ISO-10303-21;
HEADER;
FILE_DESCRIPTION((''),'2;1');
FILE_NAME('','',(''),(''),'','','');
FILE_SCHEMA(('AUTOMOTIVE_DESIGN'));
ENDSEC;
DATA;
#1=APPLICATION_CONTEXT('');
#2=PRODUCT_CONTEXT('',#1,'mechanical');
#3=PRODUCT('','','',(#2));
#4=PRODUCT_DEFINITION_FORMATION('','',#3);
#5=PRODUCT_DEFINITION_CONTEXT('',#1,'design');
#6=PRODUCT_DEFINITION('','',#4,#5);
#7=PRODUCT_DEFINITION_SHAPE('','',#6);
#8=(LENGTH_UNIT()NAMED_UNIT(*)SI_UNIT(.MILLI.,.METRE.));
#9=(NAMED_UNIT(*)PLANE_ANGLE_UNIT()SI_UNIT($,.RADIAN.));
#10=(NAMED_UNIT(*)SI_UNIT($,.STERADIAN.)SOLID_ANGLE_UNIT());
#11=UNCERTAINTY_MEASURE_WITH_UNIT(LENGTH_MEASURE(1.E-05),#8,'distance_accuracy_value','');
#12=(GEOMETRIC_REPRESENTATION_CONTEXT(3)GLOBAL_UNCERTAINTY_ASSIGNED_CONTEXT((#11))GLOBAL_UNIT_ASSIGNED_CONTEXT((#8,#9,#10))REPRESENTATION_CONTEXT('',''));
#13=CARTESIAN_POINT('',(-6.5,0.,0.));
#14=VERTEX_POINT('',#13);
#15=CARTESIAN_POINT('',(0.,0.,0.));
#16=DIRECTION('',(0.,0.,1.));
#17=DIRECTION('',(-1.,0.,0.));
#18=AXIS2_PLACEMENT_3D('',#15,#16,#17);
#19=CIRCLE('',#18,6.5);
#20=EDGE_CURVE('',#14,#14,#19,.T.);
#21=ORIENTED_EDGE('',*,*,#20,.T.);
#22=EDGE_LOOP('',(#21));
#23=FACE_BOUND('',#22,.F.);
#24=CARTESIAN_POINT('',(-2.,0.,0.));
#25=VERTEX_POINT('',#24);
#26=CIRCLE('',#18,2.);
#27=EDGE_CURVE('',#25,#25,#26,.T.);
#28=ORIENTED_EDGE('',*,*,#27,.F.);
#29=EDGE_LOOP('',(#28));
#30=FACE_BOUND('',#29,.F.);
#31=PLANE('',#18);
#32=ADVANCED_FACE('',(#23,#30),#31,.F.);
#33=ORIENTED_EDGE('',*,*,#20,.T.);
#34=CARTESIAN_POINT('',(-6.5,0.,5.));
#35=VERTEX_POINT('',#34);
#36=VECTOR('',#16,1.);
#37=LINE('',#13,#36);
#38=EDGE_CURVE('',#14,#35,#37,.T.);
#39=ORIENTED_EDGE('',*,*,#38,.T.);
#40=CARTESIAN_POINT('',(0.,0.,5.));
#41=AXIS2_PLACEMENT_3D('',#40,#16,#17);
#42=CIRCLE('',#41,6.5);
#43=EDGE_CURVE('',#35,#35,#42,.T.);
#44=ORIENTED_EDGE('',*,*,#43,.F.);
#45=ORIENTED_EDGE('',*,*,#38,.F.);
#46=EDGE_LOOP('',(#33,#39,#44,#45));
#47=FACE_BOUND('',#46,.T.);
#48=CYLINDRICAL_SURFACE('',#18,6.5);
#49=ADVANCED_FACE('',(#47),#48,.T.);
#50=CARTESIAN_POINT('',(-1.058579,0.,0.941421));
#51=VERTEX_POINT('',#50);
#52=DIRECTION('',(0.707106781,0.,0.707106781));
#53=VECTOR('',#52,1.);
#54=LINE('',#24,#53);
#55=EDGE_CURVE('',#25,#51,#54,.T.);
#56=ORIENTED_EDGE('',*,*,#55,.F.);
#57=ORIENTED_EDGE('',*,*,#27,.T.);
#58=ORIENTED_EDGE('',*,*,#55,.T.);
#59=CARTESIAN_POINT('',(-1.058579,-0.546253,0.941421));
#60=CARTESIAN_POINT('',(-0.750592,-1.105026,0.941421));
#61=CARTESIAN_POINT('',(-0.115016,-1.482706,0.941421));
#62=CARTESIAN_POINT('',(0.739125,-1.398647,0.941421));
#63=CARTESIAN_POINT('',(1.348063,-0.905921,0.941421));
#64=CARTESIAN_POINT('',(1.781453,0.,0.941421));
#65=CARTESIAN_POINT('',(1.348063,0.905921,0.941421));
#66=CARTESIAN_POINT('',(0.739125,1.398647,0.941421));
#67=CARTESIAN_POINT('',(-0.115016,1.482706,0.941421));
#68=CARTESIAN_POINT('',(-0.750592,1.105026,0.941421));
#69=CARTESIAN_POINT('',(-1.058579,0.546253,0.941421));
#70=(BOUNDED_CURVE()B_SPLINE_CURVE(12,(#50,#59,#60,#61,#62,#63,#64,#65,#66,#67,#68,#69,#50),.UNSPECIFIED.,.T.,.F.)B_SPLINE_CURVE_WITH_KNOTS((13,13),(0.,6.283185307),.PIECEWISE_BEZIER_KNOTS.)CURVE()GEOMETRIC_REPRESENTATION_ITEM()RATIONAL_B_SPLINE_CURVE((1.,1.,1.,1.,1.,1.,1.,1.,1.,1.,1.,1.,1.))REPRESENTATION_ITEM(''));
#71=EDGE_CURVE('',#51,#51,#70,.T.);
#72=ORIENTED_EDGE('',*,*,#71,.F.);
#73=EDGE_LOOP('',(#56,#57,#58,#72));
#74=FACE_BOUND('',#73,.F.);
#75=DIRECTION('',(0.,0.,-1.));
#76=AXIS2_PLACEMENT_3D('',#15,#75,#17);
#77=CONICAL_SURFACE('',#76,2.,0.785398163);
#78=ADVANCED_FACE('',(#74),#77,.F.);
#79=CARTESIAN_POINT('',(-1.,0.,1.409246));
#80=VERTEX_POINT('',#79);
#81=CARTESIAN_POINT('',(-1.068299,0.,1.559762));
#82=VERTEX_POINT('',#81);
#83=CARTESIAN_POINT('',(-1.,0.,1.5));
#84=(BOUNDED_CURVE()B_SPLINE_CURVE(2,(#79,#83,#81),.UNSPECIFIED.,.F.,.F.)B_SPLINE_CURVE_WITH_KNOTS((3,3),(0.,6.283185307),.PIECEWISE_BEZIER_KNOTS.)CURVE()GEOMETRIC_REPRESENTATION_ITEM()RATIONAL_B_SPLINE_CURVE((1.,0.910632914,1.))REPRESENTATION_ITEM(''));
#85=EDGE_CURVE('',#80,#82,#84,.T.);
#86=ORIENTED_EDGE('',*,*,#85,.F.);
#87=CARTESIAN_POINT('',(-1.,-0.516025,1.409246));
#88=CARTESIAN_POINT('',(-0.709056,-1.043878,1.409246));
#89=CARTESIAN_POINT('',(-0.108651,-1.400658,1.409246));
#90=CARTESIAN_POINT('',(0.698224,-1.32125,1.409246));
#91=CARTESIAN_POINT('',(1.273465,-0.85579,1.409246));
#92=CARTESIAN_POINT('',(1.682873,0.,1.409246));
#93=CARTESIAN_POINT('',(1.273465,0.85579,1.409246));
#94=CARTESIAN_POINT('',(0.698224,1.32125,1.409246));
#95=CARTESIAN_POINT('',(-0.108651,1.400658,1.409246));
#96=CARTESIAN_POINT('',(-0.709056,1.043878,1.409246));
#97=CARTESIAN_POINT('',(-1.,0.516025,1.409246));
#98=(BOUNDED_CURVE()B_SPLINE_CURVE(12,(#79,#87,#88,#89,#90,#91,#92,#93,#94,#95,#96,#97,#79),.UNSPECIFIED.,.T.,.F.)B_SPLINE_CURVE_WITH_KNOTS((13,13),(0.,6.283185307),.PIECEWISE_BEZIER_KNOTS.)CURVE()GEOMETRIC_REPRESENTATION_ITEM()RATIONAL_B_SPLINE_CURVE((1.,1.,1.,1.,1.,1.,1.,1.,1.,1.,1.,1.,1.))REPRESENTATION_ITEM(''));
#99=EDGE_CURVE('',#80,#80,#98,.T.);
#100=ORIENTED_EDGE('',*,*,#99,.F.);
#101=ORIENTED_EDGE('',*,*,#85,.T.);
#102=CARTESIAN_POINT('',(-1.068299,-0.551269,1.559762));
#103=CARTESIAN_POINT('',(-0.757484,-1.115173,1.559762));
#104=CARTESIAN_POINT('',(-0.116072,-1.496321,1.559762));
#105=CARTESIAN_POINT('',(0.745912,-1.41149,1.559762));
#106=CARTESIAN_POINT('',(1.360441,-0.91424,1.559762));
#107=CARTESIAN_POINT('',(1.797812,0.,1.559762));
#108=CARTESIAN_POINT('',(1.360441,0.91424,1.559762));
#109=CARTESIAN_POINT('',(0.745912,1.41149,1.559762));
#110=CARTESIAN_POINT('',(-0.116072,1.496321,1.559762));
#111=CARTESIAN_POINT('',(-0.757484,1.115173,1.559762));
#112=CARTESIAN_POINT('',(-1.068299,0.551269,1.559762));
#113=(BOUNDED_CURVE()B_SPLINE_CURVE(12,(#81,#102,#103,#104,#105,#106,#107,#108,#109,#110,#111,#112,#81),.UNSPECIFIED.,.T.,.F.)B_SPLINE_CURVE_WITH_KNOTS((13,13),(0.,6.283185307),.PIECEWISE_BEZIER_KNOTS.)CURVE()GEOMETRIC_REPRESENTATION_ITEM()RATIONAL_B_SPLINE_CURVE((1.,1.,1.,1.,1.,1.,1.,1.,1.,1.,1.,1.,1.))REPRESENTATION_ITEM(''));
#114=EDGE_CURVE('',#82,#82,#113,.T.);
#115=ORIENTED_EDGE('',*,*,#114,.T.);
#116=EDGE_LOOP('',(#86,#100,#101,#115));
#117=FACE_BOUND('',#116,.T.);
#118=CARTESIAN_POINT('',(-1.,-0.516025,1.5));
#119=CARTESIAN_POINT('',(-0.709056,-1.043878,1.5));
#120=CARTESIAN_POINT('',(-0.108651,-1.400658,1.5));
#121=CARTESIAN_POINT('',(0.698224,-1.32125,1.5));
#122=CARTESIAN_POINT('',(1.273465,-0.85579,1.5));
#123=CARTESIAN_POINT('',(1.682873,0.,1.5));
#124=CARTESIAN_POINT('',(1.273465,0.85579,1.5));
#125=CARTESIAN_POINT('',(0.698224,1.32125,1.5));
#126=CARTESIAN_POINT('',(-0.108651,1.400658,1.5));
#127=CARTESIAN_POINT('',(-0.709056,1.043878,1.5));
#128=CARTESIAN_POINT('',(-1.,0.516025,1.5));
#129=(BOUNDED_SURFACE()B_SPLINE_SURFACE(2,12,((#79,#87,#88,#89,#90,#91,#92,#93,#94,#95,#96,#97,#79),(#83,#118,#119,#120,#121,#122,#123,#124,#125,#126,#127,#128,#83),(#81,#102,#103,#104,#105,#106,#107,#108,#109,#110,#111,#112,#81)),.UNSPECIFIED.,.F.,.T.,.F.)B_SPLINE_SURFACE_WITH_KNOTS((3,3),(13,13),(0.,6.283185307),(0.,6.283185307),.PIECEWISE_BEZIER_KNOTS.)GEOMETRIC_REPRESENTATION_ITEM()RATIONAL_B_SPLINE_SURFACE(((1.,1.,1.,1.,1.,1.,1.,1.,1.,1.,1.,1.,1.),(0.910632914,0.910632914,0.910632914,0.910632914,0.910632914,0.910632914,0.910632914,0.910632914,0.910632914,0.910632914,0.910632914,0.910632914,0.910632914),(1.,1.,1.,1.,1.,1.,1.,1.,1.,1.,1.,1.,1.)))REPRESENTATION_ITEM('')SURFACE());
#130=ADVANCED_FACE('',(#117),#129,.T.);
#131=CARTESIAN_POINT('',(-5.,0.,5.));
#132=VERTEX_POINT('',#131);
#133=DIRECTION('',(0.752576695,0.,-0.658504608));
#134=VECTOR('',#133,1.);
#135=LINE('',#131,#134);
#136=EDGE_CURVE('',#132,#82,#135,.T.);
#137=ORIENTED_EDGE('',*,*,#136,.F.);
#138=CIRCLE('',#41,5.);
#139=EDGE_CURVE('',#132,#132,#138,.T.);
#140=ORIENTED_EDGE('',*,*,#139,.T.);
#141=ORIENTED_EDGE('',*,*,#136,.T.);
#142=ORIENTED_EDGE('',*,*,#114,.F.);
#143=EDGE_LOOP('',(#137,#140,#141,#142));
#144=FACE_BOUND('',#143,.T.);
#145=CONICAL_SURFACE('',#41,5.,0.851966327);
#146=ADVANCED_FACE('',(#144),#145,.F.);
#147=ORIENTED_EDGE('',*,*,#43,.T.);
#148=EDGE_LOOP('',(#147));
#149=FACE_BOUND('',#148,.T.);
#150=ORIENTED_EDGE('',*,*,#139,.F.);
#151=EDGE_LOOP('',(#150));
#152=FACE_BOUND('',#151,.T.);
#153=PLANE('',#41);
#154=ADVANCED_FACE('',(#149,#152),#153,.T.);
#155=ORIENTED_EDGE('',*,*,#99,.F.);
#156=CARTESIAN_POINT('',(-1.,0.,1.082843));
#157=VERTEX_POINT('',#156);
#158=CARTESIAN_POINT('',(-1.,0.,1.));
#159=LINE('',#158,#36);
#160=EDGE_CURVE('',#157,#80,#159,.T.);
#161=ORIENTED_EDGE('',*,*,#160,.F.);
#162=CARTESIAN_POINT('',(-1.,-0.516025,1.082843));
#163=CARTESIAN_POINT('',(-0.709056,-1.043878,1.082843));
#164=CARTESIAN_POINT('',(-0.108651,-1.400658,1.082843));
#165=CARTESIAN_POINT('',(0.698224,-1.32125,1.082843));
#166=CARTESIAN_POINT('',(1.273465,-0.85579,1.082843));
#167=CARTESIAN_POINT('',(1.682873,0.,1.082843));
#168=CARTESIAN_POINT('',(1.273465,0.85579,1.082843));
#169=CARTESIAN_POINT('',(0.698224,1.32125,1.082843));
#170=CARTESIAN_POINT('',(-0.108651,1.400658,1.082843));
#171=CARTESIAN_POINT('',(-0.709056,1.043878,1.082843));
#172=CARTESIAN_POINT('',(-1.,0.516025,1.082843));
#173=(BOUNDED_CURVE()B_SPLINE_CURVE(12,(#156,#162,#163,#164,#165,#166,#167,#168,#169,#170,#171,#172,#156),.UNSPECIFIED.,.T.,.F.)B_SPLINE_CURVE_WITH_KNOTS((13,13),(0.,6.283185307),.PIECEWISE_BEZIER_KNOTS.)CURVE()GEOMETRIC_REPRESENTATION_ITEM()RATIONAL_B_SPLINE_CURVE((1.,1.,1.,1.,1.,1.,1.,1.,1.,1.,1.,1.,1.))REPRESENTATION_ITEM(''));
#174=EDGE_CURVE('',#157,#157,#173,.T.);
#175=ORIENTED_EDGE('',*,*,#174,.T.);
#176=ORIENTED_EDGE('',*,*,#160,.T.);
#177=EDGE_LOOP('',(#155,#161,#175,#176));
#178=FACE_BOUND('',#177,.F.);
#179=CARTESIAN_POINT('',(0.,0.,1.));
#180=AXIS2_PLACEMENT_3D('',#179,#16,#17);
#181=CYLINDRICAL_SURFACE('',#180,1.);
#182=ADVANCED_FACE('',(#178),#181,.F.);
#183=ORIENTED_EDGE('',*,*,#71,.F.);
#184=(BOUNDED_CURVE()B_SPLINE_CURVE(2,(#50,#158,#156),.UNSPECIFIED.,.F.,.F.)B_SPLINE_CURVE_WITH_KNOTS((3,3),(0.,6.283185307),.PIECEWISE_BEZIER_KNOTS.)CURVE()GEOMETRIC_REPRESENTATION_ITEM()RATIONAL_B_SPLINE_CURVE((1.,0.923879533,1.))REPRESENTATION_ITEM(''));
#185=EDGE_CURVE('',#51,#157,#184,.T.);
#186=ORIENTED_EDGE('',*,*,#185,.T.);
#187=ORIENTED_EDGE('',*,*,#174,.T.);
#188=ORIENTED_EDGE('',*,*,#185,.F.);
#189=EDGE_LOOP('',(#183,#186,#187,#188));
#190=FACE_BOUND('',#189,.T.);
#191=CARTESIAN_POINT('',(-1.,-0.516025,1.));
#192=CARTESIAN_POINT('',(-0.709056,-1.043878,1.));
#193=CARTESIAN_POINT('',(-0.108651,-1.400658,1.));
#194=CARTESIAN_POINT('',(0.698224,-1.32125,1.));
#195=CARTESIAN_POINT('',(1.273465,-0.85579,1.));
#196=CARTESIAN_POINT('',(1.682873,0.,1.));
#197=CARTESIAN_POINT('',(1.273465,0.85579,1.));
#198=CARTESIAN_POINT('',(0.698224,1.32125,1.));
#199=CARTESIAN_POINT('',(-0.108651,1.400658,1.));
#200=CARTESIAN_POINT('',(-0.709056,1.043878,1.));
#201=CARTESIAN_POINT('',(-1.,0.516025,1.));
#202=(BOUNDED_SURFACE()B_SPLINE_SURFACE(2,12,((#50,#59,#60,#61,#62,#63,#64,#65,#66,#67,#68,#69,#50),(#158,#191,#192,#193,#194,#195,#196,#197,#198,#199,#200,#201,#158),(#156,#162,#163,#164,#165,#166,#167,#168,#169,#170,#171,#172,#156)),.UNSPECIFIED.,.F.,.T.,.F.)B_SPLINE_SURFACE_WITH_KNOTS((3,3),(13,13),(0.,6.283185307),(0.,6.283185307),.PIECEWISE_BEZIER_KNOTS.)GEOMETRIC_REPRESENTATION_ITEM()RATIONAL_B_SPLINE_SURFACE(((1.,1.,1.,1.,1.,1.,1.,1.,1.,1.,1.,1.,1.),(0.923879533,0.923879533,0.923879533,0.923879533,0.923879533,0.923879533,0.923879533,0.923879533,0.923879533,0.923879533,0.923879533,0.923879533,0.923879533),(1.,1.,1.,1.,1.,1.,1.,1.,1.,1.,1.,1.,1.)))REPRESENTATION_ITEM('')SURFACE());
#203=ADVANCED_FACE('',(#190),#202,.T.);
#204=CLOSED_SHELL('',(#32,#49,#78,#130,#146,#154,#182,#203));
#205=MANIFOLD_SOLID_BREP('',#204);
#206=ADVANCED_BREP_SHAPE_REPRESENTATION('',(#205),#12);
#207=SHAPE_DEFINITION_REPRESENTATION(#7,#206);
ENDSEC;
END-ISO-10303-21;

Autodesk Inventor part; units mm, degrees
ref_plane "YZ Plane" through (0, 0, 0) normal (1, 0, 0) x (0, 1, 0)
ref_plane "XZ Plane" through (0, 0, 0) normal (0, 1, 0) x (-1, 0, 0)
ref_plane "XY Plane" through (0, 0, 0) normal (0, 0, 1) x (1, 0, 0)
sketch "Sketch2" plane through (0, 0, 0) normal (0, 1, 0) x (-1, 0, 0)
  line L0 (6.5, 0) -> (6.5, 5)
  line L1 (6.5, 5) -> (5, 5)
  line L2 (6.5, 5) -> (6.5, 0)
  line L3 (0, -1) -> (0, 6) projected
  line L4 (6.5, 0) -> (2, 0)
  line L5 (2, 0) -> (1, 1)
  line L6 (1, 1) -> (1, 1.5)
  line L7 (5, 5) -> (1, 1.5)
  point P0 (0, 0)
  dimension "d4" = 5
  dimension "d5" = 1.5
  dimension "d11" = 6.5
  dimension "d26" = 4.5
  dimension "d27" = 0.5
  dimension "d28" = 1
  dimension "d29" = 2
  dimension "d31" = 1
revolve "Revolution2" add sketch "Sketch2" angle 360 about axis through (0, 0, -10) along (0, 0, 1)
fillet "Fillet4" radius 0.2 2 edges at (1, 0, 1) (1, 0, 1.5)
properties part number "nozzle_big" material "Glass"
